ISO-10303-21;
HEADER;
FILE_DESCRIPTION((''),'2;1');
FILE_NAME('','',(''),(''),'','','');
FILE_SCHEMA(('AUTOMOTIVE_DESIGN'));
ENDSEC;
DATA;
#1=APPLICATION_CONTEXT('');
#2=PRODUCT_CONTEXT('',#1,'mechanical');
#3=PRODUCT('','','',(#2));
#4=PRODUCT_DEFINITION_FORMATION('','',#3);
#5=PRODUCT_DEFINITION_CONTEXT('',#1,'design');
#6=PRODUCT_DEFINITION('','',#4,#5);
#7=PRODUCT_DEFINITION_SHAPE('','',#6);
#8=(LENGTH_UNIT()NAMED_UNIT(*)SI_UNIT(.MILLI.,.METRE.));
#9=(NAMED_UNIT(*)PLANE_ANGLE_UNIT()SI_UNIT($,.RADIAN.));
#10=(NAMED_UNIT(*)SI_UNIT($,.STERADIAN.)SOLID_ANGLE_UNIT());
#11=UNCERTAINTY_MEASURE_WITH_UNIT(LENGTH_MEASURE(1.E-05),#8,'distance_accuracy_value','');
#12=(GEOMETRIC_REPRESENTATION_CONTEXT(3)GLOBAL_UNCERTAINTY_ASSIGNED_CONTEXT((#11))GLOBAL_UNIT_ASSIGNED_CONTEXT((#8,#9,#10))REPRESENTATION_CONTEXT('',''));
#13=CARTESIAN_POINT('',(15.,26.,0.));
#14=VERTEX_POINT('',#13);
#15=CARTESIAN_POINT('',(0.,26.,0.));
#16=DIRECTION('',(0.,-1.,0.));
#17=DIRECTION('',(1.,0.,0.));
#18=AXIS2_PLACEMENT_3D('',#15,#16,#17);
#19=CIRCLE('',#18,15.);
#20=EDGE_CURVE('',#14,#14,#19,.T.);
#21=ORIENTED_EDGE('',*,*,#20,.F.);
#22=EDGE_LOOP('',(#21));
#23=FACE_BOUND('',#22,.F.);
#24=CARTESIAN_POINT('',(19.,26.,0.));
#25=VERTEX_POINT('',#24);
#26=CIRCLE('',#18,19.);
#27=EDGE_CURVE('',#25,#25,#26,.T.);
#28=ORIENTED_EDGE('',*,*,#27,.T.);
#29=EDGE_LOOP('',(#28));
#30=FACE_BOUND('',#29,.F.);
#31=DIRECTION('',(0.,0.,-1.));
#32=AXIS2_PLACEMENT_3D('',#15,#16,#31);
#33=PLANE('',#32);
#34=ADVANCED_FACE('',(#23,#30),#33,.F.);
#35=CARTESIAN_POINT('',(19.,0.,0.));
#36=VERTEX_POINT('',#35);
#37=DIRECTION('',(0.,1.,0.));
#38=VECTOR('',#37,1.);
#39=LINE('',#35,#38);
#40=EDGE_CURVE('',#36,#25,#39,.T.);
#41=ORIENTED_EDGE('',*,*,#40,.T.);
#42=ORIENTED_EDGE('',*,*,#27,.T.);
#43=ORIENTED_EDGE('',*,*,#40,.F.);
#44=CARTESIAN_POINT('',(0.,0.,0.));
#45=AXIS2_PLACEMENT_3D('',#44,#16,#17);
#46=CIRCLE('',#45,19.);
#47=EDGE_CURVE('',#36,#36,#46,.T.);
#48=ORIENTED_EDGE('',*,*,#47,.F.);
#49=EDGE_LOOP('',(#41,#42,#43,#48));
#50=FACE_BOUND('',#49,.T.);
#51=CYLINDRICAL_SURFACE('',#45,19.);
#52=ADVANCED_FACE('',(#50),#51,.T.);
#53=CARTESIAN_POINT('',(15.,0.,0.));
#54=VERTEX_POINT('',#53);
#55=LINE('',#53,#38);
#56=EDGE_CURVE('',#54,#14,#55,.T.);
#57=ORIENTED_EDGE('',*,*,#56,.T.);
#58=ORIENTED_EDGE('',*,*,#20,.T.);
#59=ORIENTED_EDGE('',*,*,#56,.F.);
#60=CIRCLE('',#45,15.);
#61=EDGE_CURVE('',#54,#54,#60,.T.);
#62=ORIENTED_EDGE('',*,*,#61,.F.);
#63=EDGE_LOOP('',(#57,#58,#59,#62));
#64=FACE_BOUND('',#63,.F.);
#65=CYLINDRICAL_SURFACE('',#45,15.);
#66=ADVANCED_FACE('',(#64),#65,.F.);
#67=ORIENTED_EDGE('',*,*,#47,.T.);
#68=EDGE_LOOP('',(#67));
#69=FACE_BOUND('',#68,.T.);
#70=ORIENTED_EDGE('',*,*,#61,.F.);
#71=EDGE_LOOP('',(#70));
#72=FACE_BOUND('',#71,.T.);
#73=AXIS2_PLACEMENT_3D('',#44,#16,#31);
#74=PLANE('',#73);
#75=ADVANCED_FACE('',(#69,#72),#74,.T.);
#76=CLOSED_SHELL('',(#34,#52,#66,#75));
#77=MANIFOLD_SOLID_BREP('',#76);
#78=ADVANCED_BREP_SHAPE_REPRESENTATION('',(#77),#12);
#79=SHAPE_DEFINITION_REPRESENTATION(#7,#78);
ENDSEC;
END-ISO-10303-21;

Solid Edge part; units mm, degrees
sketch "Sketch1" plane through (0, 0, 0) normal (0, -1, 0) x (1, 0, 0)
  circle A0 centre (0, 0) radius 19
  circle A1 centre (0, 0) radius 15
extrude "Protrusion1" add sketch "Sketch1" against normal blind 26
properties part number "1976-1100-005" material "Aluminio, 7075-T6"
